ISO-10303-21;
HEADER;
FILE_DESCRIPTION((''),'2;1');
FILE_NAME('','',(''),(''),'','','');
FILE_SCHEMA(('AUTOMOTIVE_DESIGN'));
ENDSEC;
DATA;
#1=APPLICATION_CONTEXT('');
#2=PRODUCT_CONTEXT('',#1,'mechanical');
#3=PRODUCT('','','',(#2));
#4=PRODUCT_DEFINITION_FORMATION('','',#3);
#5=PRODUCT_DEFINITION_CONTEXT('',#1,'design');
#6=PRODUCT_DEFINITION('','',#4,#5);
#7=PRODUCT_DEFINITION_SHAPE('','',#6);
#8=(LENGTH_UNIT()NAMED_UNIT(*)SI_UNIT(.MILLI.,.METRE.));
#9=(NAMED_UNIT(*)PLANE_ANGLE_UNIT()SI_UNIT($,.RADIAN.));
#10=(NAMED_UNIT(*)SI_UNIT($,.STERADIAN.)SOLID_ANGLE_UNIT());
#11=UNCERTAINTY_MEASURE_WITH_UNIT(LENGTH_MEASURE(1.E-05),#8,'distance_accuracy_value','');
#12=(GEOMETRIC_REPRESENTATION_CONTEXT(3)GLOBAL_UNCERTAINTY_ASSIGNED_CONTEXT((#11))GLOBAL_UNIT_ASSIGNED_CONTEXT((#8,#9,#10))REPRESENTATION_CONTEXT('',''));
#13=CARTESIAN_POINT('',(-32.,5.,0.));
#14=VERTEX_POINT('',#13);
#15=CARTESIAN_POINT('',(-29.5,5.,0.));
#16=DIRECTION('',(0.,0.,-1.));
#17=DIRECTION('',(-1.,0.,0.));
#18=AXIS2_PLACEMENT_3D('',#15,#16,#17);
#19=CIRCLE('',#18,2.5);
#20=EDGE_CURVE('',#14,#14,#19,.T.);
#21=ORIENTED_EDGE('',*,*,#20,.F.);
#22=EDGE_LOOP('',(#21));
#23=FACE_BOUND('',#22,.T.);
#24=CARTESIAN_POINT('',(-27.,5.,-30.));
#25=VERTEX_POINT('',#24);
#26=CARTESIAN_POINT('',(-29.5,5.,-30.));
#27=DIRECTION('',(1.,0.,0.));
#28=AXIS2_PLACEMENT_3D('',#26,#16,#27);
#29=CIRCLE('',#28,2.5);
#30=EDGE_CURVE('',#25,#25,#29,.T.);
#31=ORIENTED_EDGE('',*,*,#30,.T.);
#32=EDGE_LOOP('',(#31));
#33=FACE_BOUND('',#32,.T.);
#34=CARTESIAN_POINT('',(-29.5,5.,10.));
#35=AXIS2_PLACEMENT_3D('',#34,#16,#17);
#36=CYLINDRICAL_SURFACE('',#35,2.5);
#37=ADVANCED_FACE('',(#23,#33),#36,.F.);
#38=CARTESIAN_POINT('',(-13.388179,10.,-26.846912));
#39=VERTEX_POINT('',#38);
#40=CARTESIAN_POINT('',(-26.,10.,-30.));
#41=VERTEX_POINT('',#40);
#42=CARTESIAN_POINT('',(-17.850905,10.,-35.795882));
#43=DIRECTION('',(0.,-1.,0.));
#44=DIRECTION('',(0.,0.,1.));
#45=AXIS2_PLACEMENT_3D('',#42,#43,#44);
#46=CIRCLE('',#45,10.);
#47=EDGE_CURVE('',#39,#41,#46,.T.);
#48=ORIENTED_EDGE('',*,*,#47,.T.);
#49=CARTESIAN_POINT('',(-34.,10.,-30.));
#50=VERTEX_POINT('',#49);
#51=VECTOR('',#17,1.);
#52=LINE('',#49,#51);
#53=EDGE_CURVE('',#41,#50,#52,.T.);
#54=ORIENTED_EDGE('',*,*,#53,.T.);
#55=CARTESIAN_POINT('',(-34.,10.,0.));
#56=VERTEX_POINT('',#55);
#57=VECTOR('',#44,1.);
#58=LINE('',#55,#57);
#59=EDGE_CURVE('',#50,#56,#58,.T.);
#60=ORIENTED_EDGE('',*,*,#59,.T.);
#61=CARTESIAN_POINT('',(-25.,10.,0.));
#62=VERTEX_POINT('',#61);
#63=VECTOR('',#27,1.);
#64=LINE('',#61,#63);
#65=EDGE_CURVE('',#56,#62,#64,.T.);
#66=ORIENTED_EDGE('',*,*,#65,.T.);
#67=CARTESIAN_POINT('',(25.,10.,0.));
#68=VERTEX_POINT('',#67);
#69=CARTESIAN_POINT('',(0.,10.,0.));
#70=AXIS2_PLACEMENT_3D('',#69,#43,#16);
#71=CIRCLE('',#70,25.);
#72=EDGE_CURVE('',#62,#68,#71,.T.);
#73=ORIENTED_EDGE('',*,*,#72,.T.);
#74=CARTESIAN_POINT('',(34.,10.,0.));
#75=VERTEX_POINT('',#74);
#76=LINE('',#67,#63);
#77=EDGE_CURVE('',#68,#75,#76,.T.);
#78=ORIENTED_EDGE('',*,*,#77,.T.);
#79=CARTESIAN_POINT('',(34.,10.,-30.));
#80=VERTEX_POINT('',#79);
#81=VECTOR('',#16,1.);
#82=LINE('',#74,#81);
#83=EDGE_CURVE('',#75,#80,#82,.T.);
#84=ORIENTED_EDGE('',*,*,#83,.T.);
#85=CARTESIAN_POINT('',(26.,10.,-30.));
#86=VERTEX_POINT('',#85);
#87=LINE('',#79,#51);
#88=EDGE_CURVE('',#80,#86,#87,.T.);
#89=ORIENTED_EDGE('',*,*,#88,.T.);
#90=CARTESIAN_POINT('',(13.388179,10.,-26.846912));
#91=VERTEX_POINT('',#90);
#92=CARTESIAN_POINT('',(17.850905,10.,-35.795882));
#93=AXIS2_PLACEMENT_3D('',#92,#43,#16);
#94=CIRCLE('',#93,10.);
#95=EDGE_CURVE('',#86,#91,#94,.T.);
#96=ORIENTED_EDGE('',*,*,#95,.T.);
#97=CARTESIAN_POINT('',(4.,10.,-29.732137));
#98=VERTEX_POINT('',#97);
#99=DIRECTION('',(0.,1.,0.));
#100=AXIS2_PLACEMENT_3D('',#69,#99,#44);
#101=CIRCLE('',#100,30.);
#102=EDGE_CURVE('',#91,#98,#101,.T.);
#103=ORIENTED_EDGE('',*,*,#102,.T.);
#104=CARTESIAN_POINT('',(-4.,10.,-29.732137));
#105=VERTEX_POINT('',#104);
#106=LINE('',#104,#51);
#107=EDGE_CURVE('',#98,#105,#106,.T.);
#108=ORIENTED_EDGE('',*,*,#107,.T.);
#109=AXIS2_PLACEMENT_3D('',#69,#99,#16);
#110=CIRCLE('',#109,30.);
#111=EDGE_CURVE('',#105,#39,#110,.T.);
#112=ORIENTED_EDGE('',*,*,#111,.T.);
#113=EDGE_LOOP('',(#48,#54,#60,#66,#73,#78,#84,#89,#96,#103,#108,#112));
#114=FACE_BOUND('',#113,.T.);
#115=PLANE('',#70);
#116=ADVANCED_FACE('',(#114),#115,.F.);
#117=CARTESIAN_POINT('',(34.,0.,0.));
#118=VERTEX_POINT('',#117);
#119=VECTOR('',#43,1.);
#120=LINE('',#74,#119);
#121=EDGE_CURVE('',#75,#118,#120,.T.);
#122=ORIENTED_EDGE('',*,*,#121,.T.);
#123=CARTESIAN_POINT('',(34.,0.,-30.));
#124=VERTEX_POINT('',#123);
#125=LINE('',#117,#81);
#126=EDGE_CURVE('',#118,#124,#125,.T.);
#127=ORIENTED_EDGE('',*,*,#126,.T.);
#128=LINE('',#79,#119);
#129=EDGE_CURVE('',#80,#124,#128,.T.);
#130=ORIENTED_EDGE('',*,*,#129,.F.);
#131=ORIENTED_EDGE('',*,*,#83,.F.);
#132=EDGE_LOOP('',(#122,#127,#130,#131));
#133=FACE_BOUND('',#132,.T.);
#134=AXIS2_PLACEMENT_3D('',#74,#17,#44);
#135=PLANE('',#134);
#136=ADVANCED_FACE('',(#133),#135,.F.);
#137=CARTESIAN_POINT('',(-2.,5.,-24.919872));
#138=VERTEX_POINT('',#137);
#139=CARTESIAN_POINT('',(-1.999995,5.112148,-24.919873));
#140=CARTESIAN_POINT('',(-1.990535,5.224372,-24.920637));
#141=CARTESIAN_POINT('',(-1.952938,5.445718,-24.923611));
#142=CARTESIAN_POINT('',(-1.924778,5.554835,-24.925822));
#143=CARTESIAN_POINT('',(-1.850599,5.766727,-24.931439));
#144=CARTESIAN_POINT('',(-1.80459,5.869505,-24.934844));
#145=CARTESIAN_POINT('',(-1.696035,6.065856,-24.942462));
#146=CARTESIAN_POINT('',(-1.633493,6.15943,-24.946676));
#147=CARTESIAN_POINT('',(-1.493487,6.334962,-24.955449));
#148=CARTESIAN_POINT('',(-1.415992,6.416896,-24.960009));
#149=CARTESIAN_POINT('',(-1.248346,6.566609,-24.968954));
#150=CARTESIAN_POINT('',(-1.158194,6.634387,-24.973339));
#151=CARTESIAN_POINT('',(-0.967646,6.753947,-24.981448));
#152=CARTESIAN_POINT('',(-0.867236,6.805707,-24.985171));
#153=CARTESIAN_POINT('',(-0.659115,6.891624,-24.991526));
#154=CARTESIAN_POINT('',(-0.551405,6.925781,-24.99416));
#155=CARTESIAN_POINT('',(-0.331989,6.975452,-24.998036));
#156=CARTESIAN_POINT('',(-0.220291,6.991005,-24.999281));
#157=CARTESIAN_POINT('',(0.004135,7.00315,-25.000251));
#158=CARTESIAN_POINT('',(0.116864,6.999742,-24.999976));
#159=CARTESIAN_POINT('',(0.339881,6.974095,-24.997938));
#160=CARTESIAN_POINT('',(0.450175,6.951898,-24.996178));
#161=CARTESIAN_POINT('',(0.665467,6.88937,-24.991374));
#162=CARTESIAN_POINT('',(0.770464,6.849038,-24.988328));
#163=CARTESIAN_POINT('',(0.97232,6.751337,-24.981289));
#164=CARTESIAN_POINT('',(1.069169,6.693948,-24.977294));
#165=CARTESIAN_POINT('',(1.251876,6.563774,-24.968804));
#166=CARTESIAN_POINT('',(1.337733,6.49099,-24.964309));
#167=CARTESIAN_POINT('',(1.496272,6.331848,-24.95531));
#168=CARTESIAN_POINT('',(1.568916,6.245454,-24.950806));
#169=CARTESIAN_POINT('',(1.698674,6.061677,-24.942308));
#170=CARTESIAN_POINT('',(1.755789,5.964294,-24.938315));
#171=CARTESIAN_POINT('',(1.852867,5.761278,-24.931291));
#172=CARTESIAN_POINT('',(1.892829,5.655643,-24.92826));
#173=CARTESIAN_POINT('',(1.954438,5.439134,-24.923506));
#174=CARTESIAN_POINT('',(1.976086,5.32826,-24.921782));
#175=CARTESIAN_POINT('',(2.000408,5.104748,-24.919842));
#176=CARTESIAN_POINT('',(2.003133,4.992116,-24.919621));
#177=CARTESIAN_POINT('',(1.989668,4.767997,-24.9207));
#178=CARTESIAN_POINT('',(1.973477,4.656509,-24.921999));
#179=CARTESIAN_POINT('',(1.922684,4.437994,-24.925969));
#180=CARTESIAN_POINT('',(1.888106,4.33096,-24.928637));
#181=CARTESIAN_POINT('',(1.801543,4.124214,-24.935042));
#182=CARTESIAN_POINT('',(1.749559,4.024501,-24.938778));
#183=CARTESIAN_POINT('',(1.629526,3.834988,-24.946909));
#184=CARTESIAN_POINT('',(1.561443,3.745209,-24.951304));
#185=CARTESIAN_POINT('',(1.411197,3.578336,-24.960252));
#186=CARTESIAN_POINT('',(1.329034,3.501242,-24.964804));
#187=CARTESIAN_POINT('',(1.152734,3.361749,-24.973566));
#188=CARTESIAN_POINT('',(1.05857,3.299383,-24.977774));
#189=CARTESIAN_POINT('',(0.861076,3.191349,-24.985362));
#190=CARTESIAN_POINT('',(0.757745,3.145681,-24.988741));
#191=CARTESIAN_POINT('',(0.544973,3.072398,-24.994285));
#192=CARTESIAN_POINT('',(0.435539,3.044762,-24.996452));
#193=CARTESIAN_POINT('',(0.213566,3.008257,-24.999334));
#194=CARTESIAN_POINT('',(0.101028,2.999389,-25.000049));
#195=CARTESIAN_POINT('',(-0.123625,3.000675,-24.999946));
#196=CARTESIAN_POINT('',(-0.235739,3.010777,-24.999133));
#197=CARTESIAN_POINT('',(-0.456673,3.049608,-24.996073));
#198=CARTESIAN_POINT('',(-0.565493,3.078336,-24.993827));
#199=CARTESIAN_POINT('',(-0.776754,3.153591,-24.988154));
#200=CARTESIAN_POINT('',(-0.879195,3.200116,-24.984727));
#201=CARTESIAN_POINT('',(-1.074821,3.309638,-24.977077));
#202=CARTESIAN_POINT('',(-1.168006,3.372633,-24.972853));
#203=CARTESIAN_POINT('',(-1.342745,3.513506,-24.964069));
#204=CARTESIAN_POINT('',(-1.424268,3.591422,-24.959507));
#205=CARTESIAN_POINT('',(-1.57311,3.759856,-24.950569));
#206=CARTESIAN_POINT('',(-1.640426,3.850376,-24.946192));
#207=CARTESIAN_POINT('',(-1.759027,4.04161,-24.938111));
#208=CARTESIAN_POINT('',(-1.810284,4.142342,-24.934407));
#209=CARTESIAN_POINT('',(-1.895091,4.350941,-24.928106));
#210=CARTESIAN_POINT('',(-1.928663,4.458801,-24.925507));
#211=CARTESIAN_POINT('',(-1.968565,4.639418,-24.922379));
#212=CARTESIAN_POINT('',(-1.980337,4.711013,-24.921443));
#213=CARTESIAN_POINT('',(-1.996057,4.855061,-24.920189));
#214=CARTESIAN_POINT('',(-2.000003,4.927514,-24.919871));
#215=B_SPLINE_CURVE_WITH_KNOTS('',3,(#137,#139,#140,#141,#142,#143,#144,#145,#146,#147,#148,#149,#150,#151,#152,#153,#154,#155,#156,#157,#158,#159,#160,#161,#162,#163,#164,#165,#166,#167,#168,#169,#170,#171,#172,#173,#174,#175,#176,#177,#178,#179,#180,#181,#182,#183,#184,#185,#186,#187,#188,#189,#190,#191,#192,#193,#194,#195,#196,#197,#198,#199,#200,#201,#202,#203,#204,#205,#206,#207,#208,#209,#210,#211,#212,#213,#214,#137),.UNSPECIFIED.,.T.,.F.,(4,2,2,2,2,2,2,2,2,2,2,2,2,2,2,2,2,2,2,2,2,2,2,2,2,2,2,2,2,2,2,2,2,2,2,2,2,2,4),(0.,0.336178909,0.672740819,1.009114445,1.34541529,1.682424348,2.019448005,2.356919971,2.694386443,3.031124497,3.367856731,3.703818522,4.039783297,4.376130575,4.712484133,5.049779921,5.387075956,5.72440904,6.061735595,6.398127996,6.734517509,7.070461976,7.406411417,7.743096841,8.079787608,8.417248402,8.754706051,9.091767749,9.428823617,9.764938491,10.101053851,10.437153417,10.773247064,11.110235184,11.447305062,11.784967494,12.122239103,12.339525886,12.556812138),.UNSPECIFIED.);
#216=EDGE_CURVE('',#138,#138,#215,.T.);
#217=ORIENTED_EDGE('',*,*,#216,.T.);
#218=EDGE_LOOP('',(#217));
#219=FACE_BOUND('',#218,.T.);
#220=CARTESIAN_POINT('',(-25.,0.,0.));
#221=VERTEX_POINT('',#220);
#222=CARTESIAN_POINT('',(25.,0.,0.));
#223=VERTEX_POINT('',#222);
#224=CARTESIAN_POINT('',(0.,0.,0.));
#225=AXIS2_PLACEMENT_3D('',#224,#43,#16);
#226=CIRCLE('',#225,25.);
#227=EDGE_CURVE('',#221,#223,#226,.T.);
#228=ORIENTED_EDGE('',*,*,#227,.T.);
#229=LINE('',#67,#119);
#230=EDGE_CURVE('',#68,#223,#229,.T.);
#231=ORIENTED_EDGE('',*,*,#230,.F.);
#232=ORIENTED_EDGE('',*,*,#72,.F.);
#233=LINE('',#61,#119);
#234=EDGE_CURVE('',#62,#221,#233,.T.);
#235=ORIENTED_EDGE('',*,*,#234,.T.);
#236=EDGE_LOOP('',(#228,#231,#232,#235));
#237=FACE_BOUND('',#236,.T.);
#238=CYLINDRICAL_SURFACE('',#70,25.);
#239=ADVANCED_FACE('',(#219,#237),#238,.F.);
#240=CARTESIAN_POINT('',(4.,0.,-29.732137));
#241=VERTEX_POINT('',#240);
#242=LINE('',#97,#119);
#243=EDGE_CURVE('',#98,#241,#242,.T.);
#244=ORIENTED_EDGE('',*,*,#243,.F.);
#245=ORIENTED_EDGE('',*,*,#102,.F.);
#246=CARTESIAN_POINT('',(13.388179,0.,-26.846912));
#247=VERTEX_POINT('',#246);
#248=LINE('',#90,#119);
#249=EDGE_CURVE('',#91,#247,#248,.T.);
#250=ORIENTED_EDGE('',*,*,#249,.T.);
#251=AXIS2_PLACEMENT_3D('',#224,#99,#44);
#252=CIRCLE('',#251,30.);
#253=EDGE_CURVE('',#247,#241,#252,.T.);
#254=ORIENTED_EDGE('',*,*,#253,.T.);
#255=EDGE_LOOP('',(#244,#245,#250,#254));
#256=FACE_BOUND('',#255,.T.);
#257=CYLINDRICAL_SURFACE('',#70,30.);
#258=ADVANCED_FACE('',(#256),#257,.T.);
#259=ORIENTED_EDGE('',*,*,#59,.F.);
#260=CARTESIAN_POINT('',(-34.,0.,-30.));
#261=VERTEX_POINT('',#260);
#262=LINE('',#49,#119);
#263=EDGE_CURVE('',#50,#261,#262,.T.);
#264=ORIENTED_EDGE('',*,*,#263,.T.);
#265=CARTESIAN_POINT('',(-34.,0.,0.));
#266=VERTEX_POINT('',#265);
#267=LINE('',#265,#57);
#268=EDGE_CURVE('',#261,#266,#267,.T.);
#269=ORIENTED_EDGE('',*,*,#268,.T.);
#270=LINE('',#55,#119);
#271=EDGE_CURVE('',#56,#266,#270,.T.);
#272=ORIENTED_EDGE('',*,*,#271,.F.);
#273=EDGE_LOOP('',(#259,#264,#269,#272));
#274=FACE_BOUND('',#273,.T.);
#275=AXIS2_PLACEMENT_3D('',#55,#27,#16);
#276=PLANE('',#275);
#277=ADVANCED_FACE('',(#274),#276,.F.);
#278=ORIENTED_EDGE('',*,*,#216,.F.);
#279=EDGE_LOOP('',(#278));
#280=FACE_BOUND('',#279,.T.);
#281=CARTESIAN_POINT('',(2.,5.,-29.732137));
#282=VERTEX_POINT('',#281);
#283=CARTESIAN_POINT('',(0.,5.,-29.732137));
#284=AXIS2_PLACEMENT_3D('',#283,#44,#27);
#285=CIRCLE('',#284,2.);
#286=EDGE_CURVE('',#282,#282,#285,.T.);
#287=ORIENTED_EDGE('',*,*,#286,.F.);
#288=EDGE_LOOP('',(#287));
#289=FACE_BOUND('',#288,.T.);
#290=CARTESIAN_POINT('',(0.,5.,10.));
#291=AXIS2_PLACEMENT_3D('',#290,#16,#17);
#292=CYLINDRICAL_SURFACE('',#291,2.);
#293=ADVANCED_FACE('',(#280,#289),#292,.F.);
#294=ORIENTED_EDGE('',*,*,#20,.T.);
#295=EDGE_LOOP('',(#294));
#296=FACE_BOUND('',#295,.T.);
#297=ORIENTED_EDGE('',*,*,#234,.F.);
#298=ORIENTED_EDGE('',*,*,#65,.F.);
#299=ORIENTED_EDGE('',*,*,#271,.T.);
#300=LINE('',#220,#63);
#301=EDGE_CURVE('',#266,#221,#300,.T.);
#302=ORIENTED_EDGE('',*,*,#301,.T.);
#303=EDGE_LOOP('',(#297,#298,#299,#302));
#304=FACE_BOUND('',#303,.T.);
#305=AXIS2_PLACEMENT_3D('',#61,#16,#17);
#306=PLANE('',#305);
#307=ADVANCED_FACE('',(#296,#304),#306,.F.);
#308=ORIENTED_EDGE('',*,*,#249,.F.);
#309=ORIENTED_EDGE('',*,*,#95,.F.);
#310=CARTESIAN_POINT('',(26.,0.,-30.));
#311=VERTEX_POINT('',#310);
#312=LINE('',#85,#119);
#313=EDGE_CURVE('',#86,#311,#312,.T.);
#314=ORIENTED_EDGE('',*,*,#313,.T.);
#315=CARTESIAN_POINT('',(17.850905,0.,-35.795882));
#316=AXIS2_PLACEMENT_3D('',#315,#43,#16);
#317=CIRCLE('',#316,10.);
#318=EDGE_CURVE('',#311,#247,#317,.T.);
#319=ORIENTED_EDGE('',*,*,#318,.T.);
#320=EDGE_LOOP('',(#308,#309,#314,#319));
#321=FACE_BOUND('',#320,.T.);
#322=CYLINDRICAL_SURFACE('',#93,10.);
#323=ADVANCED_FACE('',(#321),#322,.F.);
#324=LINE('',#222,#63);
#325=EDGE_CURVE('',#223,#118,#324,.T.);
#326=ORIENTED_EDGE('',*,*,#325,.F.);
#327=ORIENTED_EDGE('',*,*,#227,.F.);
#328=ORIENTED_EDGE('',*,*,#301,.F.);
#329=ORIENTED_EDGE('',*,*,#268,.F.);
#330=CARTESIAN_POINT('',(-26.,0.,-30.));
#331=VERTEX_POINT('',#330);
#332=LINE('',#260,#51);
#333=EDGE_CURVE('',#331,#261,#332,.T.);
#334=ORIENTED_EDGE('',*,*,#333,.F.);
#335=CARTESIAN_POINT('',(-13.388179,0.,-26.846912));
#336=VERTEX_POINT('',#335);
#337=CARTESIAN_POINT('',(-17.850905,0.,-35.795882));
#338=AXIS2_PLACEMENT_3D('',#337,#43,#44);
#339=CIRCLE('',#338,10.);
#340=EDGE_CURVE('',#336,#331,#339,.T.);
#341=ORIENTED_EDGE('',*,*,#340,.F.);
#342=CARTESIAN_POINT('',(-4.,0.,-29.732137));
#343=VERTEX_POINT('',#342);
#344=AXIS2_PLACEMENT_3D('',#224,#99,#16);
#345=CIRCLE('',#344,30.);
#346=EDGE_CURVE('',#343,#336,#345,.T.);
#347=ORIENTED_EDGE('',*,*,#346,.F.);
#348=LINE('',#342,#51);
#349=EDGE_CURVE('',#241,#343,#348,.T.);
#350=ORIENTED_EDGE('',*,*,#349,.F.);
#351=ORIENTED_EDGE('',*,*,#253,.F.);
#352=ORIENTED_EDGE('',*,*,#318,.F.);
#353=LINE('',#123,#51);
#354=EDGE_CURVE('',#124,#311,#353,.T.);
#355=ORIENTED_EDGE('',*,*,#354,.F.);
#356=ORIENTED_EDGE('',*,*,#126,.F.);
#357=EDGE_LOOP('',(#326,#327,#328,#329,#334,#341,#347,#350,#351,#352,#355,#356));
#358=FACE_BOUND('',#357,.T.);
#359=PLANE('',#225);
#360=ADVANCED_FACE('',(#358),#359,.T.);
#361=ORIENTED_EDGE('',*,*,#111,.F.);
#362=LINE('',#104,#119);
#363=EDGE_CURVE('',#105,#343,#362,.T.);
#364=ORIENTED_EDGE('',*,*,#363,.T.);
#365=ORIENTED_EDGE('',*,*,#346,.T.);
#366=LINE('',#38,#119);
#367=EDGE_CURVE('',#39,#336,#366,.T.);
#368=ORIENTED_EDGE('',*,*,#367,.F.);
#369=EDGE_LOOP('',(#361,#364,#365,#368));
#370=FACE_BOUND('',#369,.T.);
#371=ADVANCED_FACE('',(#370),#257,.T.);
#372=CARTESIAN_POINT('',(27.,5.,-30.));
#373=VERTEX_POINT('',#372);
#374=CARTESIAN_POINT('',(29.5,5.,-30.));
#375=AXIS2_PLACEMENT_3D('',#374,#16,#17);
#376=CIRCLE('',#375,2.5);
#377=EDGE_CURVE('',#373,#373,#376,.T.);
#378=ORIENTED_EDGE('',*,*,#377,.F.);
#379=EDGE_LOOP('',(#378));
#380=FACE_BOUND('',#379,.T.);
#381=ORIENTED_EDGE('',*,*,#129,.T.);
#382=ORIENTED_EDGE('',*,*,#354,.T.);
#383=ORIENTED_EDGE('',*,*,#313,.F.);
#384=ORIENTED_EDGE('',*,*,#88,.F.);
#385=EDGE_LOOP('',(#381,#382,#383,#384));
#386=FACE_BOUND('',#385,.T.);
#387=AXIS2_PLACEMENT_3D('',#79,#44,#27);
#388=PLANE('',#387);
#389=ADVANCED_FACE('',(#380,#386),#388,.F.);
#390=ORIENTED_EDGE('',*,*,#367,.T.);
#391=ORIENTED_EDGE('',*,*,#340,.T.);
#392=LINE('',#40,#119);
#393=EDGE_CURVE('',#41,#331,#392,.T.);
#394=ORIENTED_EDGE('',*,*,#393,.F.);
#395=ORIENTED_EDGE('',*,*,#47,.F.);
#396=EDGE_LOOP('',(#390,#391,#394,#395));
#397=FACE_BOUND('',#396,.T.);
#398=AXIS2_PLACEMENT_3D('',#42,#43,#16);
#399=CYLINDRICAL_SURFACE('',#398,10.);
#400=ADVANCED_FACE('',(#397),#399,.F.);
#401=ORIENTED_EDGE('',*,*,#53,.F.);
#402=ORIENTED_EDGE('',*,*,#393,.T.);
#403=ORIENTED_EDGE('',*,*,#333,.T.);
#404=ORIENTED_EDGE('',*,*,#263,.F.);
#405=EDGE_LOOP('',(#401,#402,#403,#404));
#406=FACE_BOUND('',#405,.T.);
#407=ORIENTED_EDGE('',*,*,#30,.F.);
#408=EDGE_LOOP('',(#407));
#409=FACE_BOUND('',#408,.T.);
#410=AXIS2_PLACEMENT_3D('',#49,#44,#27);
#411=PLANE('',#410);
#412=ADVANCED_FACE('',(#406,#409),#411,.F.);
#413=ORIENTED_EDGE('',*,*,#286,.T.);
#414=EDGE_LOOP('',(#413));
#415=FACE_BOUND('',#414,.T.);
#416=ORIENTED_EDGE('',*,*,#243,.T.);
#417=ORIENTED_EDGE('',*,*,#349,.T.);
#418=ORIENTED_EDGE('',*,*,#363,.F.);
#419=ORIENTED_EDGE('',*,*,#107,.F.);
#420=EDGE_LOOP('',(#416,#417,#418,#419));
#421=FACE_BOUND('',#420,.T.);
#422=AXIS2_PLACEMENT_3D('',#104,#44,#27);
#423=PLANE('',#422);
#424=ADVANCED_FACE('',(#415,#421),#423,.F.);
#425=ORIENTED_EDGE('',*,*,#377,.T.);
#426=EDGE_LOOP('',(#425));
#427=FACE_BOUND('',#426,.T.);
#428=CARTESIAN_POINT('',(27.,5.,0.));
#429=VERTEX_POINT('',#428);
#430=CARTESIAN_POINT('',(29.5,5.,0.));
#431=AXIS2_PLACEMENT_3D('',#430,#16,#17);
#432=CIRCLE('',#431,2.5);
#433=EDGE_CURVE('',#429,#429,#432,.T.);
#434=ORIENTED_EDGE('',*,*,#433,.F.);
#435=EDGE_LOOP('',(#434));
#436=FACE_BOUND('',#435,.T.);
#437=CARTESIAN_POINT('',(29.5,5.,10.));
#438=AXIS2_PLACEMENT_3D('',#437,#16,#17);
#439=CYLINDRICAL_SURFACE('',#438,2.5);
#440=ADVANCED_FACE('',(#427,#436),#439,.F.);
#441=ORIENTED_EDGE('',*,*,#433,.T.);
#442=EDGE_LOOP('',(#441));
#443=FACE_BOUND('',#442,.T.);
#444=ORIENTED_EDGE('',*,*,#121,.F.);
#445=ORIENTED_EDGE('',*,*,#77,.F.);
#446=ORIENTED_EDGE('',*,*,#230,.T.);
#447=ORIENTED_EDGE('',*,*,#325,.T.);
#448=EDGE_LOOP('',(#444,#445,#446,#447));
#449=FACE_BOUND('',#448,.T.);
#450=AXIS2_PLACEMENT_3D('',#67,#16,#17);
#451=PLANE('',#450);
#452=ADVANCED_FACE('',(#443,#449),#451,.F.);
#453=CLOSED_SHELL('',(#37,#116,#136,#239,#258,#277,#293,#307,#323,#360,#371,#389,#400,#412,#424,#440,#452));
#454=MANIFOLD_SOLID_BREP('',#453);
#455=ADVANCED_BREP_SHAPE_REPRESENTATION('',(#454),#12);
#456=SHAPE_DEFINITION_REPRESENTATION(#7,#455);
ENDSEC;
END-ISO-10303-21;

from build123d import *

# Parameters (mm, degrees)
EXTRUDE_1_DEPTH     = 10
SKETCH_2_R          = 2.5
SKETCH_2_R_2        = 2
CUT_EXTRUDE_1_DEPTH = 40


with BuildPart() as part:
    # 草图1 → 凸台-拉伸1 (new body)
    with BuildSketch(Plane(origin=(0, 0, 0), x_dir=(1, 0, 0), z_dir=(0, 1, 0))):
        with BuildLine():
            Line((-25, 0), (-34, 0))
            Line((-34, 0), (-34, 30))
            Line((-34, 30), (-26, 30))
            ThreePointArc((-26, 30), (-20.276357576, 26.094481357), (-13.388178788, 26.846911717))
            ThreePointArc((-13.388178788, 26.846911717), (-8.812963312, 28.676326084), (-4, 29.732137495))
            Line((-4, 29.732137495), (4, 29.732137495))
            ThreePointArc((4, 29.732137495), (8.812963312, 28.676326084), (13.388178788, 26.846911717))
            ThreePointArc((13.388178788, 26.846911717), (20.276357576, 26.094481357), (26, 30))
            Line((26, 30), (34, 30))
            Line((34, 30), (34, 0))
            Line((34, 0), (25, 0))
            ThreePointArc((25, 0), (0, 25), (-25, 0))
        make_face()
    extrude(amount=EXTRUDE_1_DEPTH)

    # 草图2 → 切除-拉伸1 (cut)
    with BuildSketch(Plane(origin=(0, 0, -30), x_dir=(-1, 0, 0), z_dir=(0, 0, -1))):
        with Locations((-29.5, 5)):
            Circle(SKETCH_2_R)
        with Locations((29.5, 5)):
            Circle(SKETCH_2_R)
        with Locations((0, 5)):
            Circle(SKETCH_2_R_2)
    extrude(amount=-CUT_EXTRUDE_1_DEPTH, mode=Mode.SUBTRACT)


solid = part.part
